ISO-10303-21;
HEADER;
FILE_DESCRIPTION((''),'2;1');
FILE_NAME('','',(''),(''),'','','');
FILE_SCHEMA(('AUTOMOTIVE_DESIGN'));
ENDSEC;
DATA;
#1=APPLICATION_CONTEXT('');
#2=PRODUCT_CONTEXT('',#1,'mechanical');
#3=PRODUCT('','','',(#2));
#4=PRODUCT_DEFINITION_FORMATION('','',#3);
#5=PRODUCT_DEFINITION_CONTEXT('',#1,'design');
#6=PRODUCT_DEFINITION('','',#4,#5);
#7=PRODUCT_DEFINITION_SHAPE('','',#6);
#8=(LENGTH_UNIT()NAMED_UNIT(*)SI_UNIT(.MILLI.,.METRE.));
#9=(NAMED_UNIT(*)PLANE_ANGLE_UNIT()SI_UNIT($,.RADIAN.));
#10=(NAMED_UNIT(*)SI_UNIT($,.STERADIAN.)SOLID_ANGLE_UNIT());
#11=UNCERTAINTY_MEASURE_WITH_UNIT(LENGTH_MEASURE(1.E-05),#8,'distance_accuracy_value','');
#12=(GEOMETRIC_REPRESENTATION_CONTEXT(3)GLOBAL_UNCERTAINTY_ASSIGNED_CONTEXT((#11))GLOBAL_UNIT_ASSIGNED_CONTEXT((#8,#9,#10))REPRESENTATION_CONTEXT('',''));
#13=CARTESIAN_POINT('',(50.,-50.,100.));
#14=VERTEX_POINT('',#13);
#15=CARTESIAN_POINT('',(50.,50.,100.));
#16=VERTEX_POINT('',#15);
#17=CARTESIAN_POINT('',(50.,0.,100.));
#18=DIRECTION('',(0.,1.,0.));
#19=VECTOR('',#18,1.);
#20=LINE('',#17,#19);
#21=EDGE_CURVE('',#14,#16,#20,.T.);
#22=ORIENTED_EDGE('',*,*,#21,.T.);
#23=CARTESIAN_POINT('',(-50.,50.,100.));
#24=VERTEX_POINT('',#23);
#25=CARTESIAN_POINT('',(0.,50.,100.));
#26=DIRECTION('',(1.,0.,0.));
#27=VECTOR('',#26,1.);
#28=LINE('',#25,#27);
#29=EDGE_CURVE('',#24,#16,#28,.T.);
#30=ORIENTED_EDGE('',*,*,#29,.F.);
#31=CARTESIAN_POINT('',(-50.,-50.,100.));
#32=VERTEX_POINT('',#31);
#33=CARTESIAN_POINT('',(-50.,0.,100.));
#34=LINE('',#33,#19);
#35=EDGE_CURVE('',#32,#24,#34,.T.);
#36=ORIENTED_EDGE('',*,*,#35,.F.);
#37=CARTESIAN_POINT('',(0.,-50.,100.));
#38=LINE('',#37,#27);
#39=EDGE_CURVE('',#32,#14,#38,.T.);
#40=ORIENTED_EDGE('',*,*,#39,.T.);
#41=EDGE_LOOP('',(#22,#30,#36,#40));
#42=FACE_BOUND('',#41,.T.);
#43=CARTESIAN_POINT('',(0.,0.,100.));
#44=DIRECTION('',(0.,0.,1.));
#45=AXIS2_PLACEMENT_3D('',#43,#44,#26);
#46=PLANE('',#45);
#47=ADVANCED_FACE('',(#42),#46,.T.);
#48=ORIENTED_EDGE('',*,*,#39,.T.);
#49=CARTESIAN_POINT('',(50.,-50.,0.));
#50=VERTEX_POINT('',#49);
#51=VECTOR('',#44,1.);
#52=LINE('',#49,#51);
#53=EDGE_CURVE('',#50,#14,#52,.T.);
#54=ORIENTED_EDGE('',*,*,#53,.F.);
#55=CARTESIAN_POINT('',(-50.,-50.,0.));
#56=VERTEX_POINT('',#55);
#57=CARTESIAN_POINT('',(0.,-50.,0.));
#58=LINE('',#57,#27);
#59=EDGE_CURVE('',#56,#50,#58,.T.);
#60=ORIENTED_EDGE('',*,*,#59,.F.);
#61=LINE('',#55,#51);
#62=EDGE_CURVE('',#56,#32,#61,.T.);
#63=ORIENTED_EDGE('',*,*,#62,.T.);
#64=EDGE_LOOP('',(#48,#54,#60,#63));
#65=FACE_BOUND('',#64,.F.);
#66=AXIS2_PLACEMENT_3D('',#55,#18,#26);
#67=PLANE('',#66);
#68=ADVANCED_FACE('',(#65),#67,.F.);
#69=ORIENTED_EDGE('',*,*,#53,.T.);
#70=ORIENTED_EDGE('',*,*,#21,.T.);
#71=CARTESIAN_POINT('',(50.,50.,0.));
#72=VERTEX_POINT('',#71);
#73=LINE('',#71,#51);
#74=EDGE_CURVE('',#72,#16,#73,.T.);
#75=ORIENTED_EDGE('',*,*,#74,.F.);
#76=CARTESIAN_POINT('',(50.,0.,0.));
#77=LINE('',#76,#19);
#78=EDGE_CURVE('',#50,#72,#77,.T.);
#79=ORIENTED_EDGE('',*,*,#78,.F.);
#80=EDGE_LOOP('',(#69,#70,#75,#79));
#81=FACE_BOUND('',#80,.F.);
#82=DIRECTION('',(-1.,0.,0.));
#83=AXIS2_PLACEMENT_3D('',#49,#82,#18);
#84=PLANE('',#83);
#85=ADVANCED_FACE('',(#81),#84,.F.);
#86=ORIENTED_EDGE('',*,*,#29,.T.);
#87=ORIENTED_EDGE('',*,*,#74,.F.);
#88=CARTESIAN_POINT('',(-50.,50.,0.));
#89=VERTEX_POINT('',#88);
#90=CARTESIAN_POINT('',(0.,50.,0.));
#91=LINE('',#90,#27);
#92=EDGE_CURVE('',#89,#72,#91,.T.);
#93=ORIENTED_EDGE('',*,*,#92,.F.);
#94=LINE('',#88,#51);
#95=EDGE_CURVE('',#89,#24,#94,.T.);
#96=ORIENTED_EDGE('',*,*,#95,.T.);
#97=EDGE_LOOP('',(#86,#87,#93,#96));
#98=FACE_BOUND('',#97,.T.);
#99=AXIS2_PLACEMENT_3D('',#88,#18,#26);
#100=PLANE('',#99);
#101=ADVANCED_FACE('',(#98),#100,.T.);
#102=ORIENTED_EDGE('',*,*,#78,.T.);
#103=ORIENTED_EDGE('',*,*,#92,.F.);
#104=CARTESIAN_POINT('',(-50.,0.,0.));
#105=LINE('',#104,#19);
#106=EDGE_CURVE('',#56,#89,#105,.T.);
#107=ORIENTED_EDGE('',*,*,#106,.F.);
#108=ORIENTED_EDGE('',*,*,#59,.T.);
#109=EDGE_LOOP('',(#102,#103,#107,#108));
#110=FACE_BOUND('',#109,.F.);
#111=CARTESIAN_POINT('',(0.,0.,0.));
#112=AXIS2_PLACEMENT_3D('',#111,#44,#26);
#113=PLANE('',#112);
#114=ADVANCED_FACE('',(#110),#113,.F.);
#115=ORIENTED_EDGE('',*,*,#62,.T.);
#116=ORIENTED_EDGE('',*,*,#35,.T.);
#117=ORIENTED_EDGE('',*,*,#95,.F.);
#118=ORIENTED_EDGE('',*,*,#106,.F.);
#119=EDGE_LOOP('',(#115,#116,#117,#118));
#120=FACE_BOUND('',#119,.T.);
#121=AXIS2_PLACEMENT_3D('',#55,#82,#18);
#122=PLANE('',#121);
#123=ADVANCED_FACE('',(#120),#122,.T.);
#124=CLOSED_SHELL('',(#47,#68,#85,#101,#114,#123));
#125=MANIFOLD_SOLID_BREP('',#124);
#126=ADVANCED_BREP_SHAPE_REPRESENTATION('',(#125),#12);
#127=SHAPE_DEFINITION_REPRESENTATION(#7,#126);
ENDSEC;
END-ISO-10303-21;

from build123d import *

# Parameters (mm, degrees)
SKETCH_W      = 100
SKETCH_H      = 100
EXTRUDE_DEPTH = 100


with BuildPart() as part:
    # Sketch → Extrude (new body)
    with BuildSketch(Plane.XY):
        Rectangle(SKETCH_W, SKETCH_H)
    extrude(amount=EXTRUDE_DEPTH)


solid = part.part
